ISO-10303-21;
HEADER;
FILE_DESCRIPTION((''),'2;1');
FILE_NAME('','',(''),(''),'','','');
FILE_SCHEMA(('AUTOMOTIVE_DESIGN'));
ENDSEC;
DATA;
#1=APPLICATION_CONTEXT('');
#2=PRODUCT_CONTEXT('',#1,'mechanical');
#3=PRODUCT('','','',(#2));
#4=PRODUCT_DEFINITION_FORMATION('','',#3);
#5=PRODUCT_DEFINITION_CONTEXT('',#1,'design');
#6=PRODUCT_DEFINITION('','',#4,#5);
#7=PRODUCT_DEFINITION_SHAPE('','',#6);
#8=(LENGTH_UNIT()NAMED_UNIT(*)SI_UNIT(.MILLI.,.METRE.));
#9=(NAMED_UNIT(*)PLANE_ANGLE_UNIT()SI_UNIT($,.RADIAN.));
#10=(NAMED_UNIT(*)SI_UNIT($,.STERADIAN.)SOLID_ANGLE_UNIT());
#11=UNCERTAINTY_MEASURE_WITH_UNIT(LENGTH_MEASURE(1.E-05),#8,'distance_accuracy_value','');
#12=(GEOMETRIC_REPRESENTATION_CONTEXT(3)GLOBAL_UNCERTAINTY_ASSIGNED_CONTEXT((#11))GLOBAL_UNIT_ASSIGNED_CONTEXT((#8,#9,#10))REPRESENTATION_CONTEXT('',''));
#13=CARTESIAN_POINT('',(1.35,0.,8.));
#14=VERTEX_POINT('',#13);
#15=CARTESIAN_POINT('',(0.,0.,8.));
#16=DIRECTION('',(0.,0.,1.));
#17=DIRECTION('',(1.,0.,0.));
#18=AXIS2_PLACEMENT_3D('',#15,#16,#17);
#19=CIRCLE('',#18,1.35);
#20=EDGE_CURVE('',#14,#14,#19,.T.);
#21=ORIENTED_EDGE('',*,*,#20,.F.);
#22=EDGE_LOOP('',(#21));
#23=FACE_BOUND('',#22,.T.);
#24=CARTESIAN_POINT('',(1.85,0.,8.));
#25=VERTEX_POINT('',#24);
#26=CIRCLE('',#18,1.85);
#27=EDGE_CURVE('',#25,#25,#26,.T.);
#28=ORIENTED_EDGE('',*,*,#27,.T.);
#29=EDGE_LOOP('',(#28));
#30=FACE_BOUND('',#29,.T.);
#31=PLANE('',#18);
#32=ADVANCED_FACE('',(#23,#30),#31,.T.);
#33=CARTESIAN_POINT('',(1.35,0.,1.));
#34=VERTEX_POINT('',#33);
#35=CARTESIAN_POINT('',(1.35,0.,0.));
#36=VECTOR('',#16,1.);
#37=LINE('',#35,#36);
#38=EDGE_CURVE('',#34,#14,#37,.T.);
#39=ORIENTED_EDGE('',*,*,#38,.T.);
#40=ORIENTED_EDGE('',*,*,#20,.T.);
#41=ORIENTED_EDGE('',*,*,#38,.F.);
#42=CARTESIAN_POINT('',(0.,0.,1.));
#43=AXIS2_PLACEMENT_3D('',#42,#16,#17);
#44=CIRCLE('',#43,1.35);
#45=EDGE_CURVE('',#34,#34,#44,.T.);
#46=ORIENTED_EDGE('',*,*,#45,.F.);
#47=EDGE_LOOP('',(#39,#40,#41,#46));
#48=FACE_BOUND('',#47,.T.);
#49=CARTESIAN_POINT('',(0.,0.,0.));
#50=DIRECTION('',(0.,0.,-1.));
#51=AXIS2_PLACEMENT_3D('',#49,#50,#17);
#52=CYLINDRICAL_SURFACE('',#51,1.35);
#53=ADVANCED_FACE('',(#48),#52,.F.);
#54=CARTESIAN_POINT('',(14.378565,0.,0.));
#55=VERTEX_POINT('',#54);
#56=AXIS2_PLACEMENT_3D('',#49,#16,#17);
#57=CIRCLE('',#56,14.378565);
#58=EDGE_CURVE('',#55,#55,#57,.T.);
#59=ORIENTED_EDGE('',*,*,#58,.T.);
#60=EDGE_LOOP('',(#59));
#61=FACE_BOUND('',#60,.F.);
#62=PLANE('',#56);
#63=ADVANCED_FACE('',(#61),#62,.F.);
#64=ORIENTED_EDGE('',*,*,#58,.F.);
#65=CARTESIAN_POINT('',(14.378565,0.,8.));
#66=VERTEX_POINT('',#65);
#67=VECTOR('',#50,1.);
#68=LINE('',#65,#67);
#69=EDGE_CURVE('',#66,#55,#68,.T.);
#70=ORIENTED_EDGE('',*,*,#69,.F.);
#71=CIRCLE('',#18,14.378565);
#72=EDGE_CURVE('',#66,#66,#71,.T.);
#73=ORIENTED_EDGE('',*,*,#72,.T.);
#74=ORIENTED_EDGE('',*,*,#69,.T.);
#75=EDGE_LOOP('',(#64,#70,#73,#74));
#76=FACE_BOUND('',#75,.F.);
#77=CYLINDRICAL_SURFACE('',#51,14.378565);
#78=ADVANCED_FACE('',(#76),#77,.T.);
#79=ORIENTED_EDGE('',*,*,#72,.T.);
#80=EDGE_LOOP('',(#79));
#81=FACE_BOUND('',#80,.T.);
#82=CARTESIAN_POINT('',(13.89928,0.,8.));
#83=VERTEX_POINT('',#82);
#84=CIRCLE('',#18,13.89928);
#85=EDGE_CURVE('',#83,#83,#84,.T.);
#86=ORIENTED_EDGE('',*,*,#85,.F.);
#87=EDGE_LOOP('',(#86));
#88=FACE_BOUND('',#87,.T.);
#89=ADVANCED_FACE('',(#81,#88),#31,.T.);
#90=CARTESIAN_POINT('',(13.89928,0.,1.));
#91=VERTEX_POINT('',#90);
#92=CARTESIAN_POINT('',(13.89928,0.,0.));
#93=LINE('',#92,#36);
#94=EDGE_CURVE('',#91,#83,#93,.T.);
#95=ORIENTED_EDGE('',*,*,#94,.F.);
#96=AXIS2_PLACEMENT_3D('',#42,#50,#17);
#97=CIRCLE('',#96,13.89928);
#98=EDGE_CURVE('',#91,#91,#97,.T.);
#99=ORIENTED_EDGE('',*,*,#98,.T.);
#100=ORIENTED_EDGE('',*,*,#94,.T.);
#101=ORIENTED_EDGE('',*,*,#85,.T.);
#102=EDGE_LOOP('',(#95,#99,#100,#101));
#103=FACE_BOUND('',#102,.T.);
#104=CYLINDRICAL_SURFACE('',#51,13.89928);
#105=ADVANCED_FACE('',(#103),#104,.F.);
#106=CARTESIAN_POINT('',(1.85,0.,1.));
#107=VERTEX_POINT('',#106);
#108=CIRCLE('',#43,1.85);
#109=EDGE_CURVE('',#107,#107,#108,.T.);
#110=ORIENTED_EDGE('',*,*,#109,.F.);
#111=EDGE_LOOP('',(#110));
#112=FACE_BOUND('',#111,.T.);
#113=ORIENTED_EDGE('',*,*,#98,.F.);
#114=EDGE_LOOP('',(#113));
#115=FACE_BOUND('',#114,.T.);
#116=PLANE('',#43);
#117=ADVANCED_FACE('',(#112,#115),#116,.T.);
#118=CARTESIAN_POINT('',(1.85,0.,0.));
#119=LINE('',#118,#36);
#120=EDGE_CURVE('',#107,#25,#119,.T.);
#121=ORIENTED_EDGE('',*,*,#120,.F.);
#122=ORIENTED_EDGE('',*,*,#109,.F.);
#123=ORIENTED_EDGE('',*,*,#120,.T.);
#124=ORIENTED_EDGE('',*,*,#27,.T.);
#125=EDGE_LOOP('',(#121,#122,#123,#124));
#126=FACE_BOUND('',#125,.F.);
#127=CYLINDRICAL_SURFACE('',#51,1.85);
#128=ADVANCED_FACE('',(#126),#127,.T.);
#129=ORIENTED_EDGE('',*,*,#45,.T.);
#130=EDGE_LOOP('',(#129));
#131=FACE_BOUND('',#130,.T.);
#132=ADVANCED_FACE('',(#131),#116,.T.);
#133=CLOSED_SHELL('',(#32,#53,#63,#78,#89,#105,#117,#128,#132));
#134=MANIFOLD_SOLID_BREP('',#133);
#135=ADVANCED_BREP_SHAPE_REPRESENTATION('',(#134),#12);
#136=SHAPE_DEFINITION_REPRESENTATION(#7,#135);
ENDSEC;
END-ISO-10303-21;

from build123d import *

# Parameters (mm, degrees)
F0_R     = 14.378565
F0_R_2   = 13.89928
F0_R_3   = 1.85
F0_R_4   = 1.35
F1_DEPTH = 1
F2_DEPTH = 8


with BuildPart() as f1:
    # F0 (on Top) → F1 (new body)
    with BuildSketch(Plane.XY):
        Circle(F0_R)
        Circle(F0_R_2, mode=Mode.SUBTRACT)
        Circle(F0_R_2)
        Circle(F0_R_3, mode=Mode.SUBTRACT)
        Circle(F0_R_4)
    extrude(amount=F1_DEPTH)

    # F0 (on Top) → F2 (join)
    with BuildSketch(Plane.XY):
        Circle(F0_R)
        Circle(F0_R_2, mode=Mode.SUBTRACT)
        Circle(F0_R_3)
        Circle(F0_R_4, mode=Mode.SUBTRACT)
    extrude(amount=F2_DEPTH)


solid = f1.part
